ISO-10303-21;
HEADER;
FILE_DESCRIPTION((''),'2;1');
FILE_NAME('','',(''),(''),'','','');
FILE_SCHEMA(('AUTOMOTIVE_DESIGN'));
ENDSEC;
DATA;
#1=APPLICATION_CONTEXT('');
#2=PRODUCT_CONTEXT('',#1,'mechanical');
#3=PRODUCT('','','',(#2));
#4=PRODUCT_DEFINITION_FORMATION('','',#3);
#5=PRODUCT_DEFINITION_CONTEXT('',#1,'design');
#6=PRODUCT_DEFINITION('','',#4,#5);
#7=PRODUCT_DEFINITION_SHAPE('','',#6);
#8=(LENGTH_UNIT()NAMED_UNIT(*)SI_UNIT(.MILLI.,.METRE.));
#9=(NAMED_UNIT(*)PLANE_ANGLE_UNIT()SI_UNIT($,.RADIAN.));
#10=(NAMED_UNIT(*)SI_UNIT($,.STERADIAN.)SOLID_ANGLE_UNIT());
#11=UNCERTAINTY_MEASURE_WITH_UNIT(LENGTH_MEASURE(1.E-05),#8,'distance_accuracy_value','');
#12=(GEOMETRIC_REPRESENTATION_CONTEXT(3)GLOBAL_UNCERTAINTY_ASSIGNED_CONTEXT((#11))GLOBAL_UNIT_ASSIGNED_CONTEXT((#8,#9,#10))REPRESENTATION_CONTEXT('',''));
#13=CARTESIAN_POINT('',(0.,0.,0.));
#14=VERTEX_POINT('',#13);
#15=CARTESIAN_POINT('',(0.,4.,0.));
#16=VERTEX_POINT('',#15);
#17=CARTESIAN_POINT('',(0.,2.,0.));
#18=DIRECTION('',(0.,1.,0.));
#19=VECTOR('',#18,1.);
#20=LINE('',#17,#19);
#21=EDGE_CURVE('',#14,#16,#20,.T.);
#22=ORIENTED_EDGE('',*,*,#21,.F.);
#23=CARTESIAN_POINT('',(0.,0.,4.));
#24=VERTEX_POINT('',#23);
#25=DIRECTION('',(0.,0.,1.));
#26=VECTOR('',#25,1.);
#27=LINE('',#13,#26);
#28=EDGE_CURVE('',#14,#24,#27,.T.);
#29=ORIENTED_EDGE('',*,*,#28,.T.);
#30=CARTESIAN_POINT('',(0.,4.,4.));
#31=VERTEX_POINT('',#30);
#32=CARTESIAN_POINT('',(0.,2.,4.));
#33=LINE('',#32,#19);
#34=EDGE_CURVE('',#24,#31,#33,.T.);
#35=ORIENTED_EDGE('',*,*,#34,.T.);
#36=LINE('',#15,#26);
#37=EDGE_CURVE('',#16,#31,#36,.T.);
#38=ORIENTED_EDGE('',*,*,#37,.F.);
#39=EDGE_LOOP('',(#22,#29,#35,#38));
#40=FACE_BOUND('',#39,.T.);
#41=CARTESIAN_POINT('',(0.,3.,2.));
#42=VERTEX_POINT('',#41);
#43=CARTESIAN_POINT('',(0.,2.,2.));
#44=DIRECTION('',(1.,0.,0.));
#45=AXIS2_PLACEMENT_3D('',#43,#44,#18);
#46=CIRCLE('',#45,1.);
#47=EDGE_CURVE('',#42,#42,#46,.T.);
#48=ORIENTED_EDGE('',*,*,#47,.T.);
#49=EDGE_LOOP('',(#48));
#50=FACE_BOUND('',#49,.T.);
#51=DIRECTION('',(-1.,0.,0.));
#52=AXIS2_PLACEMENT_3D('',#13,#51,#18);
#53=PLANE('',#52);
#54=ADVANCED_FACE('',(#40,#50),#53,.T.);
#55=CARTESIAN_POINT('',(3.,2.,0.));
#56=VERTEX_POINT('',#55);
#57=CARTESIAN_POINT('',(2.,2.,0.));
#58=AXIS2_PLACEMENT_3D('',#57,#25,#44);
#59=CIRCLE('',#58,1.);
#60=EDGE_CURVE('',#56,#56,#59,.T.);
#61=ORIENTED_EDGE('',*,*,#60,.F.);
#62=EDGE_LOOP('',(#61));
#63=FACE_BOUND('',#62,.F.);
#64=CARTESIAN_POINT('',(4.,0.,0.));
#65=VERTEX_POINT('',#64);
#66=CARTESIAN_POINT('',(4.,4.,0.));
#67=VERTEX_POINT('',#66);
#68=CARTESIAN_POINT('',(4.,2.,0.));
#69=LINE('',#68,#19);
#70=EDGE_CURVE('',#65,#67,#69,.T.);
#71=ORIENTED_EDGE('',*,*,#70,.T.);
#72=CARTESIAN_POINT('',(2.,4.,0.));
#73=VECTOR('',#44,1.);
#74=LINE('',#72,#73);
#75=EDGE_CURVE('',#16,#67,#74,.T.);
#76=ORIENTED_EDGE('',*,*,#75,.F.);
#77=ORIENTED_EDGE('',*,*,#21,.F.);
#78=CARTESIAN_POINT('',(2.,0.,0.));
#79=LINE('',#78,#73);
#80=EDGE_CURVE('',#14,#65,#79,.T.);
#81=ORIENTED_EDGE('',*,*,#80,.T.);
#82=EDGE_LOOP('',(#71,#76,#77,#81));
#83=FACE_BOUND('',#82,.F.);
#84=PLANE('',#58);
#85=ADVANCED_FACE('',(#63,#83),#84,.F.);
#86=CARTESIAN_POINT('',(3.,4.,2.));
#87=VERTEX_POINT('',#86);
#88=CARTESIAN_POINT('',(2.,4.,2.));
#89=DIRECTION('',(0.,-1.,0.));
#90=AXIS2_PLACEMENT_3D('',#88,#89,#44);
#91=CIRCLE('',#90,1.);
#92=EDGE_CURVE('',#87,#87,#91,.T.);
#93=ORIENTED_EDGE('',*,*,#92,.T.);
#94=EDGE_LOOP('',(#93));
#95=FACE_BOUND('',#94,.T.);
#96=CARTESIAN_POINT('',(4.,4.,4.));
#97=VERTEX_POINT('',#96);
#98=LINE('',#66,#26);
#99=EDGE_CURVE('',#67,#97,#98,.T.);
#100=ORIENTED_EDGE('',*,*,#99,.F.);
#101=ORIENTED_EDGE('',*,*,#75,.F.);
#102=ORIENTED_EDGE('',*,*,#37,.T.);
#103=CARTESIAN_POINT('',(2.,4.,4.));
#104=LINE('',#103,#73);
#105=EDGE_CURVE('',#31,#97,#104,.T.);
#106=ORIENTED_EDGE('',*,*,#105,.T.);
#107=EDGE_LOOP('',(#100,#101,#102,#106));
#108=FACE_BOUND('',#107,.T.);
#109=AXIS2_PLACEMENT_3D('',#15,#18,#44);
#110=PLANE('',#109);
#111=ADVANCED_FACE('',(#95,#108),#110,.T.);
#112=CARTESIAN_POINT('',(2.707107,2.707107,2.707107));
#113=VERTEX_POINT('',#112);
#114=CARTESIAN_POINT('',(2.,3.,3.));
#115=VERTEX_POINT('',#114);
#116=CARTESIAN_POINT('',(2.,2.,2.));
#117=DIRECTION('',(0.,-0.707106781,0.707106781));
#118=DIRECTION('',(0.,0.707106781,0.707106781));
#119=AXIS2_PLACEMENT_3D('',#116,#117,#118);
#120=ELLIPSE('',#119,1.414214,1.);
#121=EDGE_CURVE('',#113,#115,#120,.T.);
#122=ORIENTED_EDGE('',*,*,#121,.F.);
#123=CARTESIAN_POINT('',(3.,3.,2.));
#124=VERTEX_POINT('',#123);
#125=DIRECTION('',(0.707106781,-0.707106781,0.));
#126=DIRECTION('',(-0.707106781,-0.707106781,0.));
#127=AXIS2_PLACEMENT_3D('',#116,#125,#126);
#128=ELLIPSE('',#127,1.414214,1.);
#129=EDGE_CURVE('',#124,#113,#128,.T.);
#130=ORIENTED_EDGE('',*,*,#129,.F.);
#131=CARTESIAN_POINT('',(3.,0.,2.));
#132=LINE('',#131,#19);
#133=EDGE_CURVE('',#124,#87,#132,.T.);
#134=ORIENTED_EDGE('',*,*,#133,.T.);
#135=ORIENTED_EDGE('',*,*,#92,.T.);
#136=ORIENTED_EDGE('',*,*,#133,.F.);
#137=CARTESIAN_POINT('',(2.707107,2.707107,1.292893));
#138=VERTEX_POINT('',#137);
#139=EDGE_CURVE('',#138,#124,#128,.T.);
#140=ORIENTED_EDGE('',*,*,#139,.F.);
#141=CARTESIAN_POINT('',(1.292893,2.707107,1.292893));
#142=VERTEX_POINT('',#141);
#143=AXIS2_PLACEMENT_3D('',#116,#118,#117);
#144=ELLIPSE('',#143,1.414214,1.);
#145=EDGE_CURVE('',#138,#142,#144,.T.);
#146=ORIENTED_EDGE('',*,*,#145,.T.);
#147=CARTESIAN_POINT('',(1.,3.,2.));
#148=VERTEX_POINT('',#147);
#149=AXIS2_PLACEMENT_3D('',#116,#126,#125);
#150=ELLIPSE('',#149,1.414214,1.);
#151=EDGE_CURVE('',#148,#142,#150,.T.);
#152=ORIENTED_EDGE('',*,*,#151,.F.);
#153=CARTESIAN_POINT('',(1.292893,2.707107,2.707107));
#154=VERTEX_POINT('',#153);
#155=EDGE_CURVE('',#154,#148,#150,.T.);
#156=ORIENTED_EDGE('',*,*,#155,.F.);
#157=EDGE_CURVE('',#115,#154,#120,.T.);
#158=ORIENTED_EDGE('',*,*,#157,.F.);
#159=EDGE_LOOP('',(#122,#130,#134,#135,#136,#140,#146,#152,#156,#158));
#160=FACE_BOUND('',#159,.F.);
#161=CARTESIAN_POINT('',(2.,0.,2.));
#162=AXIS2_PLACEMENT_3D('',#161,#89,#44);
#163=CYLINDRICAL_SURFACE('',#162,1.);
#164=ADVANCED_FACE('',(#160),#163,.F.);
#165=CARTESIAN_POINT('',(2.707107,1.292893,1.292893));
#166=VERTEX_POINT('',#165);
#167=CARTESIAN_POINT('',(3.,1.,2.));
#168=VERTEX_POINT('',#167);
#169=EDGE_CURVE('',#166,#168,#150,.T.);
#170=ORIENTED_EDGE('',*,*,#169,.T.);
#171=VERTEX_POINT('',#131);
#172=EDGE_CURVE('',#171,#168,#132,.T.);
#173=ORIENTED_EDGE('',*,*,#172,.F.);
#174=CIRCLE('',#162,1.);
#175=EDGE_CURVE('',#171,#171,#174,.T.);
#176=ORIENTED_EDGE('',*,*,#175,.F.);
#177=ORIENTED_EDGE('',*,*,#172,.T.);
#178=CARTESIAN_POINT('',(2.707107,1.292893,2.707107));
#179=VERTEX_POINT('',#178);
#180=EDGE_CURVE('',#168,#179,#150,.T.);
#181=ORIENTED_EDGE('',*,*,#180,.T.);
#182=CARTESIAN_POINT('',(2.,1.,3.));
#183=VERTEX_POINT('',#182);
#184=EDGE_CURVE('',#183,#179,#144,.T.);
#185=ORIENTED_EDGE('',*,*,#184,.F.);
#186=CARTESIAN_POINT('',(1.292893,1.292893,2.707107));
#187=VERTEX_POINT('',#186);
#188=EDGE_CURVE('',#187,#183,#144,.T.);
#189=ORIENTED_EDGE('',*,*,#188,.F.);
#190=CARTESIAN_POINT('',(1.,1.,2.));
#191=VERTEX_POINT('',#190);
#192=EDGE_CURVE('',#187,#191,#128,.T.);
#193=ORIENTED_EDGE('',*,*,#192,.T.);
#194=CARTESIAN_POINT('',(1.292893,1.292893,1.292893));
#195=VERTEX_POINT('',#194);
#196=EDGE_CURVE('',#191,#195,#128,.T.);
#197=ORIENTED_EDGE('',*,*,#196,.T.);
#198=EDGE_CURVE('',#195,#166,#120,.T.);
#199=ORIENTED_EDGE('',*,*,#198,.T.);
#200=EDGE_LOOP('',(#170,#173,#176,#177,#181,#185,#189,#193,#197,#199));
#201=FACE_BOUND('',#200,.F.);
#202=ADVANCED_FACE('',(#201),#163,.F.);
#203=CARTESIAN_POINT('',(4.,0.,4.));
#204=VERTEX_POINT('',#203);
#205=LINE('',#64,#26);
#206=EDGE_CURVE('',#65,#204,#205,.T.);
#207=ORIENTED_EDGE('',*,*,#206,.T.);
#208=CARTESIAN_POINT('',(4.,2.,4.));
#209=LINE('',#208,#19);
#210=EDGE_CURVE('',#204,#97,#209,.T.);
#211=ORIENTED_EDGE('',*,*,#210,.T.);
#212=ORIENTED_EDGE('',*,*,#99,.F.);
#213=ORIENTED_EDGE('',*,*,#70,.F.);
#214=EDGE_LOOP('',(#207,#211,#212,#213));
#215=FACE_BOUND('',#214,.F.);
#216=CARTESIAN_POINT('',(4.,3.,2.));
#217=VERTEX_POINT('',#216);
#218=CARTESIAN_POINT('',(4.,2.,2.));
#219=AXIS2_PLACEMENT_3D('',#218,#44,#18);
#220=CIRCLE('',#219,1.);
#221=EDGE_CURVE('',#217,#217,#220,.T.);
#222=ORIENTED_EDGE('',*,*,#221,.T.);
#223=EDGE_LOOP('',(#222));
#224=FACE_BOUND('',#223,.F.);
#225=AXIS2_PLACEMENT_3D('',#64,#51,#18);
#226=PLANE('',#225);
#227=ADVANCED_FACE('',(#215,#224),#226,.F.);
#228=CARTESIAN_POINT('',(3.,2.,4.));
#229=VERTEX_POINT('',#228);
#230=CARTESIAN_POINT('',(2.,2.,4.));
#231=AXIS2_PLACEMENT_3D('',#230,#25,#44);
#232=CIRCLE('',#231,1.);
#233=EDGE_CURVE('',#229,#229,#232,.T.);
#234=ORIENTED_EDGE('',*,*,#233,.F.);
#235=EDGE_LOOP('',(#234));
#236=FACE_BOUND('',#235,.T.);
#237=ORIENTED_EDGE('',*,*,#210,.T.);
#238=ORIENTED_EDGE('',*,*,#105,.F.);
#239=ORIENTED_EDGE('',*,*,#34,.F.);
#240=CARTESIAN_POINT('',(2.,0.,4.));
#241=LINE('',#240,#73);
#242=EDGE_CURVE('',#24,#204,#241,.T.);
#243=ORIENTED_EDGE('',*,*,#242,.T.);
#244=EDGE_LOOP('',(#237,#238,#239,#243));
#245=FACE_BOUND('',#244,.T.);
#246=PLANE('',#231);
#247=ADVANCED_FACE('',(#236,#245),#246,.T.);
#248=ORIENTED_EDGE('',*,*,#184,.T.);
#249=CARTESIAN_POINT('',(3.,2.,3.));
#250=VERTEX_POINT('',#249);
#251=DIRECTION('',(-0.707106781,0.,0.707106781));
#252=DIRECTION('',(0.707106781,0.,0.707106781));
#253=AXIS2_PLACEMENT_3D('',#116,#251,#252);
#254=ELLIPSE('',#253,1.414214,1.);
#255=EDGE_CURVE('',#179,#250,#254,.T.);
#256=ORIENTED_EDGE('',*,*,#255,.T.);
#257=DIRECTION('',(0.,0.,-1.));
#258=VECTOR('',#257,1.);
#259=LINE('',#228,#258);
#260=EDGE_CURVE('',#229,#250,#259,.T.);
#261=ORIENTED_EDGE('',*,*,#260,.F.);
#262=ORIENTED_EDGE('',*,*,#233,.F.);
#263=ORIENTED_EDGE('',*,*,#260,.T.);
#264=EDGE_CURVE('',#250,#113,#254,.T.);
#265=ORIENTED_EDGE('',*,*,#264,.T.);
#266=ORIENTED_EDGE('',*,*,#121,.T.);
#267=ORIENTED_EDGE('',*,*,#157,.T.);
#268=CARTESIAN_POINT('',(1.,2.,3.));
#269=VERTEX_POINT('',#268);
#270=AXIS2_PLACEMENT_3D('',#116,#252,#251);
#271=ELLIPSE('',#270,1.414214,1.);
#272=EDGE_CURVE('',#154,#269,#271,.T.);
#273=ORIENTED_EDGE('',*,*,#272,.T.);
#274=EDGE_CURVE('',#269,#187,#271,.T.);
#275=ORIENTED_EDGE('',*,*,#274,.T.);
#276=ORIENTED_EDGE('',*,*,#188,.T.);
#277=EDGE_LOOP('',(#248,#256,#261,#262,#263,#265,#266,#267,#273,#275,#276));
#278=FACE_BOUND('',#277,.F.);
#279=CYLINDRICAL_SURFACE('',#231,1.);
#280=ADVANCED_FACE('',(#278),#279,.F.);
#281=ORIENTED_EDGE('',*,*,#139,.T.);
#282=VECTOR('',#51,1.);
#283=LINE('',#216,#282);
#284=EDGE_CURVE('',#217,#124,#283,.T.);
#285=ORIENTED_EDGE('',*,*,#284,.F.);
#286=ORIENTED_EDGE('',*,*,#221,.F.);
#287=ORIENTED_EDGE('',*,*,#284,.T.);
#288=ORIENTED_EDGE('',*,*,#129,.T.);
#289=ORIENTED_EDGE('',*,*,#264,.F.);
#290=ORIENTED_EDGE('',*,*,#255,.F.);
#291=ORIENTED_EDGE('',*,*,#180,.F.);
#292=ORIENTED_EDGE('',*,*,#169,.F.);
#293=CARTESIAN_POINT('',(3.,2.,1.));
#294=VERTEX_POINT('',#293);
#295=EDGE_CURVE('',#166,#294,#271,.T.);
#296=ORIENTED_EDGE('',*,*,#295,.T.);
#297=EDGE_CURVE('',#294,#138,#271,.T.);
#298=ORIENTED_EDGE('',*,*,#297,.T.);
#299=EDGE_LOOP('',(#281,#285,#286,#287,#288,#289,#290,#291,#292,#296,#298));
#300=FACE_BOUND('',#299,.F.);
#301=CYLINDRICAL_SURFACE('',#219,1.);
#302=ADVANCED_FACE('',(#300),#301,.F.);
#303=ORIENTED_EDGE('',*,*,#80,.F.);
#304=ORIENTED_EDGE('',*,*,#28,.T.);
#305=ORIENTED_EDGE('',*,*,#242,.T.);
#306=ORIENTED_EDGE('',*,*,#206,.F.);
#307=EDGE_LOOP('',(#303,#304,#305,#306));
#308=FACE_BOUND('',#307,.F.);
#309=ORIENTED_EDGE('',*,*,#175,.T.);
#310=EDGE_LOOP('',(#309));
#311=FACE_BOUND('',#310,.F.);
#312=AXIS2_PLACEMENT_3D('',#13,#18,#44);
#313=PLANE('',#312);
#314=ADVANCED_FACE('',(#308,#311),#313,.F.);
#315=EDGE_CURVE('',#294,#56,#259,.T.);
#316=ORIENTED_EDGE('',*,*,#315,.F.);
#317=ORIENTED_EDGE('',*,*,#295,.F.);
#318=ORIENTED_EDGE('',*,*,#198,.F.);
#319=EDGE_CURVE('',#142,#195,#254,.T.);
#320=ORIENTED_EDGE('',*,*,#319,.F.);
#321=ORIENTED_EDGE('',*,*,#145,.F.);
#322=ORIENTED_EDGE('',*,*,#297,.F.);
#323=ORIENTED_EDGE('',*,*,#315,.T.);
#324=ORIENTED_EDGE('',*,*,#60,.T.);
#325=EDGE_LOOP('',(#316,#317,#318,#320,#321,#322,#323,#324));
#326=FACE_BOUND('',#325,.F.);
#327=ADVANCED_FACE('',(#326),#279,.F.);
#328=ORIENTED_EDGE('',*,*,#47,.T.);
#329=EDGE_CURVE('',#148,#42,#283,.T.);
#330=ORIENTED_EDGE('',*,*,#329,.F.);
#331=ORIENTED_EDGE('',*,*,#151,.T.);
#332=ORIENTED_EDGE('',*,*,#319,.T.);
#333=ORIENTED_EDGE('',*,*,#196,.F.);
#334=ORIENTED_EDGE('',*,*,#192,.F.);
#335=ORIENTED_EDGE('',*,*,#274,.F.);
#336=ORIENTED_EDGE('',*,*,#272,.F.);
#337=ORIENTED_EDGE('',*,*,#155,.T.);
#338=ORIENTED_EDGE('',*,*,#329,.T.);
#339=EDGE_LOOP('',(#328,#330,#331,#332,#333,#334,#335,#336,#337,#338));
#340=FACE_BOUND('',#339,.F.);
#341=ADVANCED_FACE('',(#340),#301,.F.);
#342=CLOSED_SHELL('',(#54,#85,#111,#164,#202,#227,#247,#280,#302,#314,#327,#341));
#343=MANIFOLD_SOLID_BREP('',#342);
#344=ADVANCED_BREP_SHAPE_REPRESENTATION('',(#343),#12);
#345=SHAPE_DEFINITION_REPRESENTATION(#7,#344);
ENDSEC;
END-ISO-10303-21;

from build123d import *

# Parameters (mm, degrees)
F0_W     = 4
F0_H     = 4
F1_DEPTH = 4
F2_R     = 1
F4_DEPTH = 25
F5_R     = 1
F6_DEPTH = 25
F7_R     = 1
F8_DEPTH = 25


with BuildPart() as f1:
    # F0 (on Top) → F1 (new body)
    with BuildSketch(Plane.XY):
        with Locations((2, 2)):
            Rectangle(F0_W, F0_H)
    extrude(amount=F1_DEPTH)

    # F2 (on face) → F4 (cut)
    with BuildSketch(Plane.XY.offset(4)):
        with Locations((2, 2)):
            Circle(F2_R)
    extrude(amount=-F4_DEPTH, mode=Mode.SUBTRACT)

    # F5 (on face) → F6 (cut)
    with BuildSketch(Plane.XZ):
        with Locations((2, 2)):
            Circle(F5_R)
    extrude(amount=-F6_DEPTH, mode=Mode.SUBTRACT)

    # F7 (on face) → F8 (cut)
    with BuildSketch(Plane.YZ.offset(4)):
        with Locations((2, 2)):
            Circle(F7_R)
    extrude(amount=-F8_DEPTH, mode=Mode.SUBTRACT)


solid = f1.part
